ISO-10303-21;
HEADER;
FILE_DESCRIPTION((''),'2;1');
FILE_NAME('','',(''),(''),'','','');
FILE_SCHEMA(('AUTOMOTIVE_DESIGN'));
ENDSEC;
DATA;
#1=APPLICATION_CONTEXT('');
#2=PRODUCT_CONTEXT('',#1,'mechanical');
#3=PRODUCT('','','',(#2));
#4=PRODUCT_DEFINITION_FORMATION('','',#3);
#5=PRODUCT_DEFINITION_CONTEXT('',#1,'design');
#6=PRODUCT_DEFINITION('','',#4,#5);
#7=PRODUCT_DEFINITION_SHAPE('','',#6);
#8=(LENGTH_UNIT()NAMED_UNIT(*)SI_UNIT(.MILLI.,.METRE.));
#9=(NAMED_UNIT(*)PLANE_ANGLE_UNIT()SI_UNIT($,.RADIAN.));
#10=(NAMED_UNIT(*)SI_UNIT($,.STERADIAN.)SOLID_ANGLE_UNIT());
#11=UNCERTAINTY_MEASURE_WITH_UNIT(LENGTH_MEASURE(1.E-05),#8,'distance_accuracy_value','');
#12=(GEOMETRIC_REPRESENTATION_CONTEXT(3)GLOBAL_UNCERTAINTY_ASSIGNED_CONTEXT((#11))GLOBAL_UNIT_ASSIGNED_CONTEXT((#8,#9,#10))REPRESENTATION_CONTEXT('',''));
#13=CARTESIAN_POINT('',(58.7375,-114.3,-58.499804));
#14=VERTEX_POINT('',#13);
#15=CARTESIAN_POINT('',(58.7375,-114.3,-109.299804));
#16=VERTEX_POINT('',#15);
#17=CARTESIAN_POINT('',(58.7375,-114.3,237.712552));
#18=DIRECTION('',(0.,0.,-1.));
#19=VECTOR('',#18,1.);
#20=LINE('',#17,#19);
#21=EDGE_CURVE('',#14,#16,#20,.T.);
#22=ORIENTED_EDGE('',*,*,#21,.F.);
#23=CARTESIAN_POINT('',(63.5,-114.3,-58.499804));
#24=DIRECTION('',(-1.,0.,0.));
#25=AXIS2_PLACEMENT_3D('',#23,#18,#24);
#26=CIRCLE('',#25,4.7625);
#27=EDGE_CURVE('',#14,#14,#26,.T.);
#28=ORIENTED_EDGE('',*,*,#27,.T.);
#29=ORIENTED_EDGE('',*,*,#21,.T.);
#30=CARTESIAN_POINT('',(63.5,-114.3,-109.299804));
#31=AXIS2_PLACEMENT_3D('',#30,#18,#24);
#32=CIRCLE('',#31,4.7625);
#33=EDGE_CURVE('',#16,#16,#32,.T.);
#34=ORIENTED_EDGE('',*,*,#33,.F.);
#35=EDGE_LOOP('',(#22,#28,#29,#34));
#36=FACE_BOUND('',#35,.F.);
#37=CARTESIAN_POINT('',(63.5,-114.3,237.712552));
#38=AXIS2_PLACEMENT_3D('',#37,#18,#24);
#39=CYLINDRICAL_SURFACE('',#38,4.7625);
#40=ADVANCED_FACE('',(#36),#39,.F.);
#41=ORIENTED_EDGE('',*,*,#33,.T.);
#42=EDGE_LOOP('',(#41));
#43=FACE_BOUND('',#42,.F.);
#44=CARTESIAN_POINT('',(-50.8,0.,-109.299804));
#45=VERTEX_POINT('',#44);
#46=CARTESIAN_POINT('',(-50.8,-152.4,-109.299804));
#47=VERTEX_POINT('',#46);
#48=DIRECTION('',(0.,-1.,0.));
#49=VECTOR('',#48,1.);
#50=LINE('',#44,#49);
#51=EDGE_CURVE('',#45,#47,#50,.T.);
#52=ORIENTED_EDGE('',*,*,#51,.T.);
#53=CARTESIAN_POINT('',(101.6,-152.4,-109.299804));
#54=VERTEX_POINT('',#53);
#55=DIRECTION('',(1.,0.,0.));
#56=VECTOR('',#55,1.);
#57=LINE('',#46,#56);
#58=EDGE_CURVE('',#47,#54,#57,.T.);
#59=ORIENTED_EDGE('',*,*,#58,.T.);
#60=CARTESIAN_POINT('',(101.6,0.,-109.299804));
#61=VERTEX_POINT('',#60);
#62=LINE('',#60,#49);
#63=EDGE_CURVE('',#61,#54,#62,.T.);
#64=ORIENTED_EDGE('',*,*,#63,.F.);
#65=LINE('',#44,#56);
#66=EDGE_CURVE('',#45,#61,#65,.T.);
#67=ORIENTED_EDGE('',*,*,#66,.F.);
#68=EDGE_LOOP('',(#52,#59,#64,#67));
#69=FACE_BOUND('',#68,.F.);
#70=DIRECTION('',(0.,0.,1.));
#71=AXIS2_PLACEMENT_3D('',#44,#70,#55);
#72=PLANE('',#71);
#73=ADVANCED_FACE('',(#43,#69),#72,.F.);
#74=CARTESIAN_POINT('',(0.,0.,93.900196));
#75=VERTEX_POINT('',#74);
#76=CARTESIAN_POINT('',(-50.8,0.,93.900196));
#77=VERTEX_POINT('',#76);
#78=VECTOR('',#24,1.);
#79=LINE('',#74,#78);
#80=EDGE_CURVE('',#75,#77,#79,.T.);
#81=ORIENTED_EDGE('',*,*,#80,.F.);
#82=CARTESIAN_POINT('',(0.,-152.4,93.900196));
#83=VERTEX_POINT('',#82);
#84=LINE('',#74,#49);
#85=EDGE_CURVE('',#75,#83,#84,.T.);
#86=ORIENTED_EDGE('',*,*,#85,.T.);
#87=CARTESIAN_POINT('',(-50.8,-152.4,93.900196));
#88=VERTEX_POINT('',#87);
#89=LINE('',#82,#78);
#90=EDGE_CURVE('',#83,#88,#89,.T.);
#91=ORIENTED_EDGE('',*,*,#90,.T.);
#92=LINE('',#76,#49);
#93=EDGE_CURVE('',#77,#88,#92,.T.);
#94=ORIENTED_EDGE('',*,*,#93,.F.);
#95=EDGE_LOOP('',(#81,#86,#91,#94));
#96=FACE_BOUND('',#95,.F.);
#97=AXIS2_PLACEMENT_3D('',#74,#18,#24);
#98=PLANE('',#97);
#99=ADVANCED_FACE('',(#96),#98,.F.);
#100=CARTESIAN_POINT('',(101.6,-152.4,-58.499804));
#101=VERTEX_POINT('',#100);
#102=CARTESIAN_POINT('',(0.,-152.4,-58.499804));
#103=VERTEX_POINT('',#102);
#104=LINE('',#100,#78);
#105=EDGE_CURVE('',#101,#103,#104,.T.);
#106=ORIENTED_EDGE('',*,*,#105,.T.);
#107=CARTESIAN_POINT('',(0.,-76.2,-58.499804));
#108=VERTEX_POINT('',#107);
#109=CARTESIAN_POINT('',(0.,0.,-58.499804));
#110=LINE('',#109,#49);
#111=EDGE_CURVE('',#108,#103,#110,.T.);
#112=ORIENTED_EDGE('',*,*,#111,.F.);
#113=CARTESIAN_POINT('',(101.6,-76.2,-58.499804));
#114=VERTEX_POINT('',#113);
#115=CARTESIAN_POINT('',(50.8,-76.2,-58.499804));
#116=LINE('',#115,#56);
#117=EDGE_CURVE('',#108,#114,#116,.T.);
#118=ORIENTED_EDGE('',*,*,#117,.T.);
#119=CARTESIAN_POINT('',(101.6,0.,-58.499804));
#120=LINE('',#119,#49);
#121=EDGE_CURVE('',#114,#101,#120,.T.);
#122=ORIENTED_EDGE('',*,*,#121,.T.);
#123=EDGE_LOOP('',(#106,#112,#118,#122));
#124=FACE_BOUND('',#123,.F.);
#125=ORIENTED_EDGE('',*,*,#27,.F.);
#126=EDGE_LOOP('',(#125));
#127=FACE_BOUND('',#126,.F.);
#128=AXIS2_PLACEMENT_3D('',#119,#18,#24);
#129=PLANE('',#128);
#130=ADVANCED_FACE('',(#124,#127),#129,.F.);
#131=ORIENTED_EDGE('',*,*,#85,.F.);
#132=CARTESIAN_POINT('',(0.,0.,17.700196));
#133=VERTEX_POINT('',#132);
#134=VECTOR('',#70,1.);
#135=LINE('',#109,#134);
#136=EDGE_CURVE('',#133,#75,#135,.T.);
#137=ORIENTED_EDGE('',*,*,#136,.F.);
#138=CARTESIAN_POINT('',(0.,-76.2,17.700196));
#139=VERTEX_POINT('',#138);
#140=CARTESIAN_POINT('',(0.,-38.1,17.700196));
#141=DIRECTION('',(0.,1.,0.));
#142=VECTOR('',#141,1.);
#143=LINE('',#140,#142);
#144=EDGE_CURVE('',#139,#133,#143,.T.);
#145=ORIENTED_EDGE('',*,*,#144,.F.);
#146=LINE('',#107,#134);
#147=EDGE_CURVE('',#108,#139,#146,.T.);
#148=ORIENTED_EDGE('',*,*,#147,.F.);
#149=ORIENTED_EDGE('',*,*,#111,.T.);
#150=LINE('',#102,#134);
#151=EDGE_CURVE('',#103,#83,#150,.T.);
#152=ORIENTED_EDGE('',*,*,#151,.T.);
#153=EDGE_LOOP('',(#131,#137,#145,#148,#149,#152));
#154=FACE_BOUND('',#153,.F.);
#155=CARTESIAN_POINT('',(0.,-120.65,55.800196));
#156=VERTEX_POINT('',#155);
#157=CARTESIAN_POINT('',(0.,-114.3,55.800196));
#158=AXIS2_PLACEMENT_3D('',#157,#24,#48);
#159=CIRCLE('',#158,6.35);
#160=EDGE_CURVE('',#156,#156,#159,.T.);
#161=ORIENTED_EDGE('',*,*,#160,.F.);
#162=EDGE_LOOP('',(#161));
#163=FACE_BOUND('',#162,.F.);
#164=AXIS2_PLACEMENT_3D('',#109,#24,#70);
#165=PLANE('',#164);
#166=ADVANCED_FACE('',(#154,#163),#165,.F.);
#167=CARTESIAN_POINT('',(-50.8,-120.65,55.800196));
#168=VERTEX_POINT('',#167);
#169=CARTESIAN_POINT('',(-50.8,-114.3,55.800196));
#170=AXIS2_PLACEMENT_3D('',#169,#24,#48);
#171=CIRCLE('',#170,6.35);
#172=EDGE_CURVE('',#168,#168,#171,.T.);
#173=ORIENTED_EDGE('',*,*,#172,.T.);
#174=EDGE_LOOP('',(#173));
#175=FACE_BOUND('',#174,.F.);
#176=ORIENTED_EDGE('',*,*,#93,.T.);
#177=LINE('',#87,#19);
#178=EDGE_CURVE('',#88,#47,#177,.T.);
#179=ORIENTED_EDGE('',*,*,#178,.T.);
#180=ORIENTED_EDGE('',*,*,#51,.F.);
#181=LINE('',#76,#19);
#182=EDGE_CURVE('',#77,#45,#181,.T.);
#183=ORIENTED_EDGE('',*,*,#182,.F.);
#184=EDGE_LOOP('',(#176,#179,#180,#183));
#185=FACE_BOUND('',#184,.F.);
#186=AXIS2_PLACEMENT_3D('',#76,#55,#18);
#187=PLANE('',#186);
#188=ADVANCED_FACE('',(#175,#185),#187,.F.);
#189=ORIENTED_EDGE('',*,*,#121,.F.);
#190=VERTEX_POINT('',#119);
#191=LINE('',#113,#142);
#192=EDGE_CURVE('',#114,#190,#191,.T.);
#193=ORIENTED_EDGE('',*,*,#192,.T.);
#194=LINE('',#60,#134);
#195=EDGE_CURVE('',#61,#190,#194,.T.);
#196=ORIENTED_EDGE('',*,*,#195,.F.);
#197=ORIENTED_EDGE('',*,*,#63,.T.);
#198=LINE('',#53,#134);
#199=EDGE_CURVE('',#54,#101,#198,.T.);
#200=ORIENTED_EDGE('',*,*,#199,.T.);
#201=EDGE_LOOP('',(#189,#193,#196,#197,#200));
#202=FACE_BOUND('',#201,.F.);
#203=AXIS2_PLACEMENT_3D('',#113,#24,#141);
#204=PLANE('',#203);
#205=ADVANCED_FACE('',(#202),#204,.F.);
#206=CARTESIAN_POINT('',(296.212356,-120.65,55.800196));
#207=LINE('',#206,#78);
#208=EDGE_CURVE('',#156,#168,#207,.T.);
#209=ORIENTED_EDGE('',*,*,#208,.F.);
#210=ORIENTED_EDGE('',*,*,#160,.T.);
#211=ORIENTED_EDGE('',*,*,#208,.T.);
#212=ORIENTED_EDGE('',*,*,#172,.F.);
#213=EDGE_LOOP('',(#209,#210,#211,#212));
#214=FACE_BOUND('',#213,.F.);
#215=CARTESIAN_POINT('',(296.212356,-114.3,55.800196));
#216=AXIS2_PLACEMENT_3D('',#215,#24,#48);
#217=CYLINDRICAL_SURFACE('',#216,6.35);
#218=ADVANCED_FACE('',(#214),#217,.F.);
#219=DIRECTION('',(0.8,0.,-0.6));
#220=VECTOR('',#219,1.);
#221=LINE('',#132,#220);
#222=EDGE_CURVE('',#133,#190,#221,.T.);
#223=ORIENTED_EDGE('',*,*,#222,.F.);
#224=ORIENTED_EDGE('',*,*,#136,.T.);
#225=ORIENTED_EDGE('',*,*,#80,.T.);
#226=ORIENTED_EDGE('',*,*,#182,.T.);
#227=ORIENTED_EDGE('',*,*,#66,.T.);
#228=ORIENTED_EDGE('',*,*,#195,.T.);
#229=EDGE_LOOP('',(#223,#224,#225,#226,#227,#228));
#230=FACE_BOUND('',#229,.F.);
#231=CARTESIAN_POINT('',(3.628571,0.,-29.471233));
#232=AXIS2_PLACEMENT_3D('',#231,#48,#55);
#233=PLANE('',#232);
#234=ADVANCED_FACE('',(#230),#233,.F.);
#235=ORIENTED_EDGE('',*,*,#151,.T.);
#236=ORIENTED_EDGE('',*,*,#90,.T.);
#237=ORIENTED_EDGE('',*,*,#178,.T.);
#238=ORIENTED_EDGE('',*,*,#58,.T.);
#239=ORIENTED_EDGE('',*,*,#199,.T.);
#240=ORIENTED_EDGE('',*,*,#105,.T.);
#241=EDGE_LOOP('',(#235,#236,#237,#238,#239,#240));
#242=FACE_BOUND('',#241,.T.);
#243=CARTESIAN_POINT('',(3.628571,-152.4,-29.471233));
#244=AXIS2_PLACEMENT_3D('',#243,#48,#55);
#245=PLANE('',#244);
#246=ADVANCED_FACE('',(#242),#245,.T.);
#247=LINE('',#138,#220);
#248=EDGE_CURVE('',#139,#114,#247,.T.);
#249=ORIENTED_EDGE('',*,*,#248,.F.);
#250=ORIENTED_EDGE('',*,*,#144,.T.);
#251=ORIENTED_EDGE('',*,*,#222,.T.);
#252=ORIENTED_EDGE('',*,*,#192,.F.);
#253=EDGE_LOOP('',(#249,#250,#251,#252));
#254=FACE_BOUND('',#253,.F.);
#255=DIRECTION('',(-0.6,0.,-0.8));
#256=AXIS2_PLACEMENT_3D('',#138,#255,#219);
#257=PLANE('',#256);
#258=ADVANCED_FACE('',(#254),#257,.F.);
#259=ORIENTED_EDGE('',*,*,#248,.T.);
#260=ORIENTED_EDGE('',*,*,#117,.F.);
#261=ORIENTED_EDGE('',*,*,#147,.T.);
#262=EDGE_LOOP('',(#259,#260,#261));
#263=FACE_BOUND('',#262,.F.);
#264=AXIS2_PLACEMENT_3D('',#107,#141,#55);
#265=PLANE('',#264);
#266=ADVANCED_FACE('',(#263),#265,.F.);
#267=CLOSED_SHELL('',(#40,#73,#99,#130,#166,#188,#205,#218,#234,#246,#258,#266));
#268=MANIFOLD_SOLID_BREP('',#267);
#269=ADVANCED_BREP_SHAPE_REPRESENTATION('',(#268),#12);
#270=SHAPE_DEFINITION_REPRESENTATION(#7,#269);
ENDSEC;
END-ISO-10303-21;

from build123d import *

# Parameters (mm, degrees)
F1_DEPTH = 152.4
F2_W     = 101.6
F2_H     = 76.2
F3_DEPTH = 76.2
F5_DEPTH = 76.2
F7_D     = 9.525
F9_D     = 12.7


with BuildPart() as f1:
    # F0 (on Front) → F1 (new body)
    with BuildSketch(Plane.XZ):
        Polygon((0, 93.900196), (-50.8, 93.900196), (-50.8, -109.299804), (101.6, -109.299804), (101.6, -58.499804), (0, -58.499804), align=None)
    extrude(amount=F1_DEPTH)

    # F2 (on face) → F3 (join)
    with BuildSketch(Plane.XY.offset(-58.499804)):
        with Locations((50.8, -38.1)):
            Rectangle(F2_W, F2_H)
    extrude(amount=F3_DEPTH)

    # F4 (on face) → F5 (cut)
    with BuildSketch(Plane.XZ.offset(76.2)):
        Polygon((101.6, 17.700196), (0, 17.700196), (101.6, -58.499804), align=None)
    extrude(amount=-F5_DEPTH, mode=Mode.SUBTRACT)

    # F7 (through all)
    with Locations(Plane.XY.offset(-58.499804)):
        with Locations((63.5, -114.3)):
            Hole(F7_D / 2)

    # F9 (through all)
    with Locations(Plane.YZ):
        with Locations((-114.3, 55.800196)):
            Hole(F9_D / 2)


solid = f1.part
